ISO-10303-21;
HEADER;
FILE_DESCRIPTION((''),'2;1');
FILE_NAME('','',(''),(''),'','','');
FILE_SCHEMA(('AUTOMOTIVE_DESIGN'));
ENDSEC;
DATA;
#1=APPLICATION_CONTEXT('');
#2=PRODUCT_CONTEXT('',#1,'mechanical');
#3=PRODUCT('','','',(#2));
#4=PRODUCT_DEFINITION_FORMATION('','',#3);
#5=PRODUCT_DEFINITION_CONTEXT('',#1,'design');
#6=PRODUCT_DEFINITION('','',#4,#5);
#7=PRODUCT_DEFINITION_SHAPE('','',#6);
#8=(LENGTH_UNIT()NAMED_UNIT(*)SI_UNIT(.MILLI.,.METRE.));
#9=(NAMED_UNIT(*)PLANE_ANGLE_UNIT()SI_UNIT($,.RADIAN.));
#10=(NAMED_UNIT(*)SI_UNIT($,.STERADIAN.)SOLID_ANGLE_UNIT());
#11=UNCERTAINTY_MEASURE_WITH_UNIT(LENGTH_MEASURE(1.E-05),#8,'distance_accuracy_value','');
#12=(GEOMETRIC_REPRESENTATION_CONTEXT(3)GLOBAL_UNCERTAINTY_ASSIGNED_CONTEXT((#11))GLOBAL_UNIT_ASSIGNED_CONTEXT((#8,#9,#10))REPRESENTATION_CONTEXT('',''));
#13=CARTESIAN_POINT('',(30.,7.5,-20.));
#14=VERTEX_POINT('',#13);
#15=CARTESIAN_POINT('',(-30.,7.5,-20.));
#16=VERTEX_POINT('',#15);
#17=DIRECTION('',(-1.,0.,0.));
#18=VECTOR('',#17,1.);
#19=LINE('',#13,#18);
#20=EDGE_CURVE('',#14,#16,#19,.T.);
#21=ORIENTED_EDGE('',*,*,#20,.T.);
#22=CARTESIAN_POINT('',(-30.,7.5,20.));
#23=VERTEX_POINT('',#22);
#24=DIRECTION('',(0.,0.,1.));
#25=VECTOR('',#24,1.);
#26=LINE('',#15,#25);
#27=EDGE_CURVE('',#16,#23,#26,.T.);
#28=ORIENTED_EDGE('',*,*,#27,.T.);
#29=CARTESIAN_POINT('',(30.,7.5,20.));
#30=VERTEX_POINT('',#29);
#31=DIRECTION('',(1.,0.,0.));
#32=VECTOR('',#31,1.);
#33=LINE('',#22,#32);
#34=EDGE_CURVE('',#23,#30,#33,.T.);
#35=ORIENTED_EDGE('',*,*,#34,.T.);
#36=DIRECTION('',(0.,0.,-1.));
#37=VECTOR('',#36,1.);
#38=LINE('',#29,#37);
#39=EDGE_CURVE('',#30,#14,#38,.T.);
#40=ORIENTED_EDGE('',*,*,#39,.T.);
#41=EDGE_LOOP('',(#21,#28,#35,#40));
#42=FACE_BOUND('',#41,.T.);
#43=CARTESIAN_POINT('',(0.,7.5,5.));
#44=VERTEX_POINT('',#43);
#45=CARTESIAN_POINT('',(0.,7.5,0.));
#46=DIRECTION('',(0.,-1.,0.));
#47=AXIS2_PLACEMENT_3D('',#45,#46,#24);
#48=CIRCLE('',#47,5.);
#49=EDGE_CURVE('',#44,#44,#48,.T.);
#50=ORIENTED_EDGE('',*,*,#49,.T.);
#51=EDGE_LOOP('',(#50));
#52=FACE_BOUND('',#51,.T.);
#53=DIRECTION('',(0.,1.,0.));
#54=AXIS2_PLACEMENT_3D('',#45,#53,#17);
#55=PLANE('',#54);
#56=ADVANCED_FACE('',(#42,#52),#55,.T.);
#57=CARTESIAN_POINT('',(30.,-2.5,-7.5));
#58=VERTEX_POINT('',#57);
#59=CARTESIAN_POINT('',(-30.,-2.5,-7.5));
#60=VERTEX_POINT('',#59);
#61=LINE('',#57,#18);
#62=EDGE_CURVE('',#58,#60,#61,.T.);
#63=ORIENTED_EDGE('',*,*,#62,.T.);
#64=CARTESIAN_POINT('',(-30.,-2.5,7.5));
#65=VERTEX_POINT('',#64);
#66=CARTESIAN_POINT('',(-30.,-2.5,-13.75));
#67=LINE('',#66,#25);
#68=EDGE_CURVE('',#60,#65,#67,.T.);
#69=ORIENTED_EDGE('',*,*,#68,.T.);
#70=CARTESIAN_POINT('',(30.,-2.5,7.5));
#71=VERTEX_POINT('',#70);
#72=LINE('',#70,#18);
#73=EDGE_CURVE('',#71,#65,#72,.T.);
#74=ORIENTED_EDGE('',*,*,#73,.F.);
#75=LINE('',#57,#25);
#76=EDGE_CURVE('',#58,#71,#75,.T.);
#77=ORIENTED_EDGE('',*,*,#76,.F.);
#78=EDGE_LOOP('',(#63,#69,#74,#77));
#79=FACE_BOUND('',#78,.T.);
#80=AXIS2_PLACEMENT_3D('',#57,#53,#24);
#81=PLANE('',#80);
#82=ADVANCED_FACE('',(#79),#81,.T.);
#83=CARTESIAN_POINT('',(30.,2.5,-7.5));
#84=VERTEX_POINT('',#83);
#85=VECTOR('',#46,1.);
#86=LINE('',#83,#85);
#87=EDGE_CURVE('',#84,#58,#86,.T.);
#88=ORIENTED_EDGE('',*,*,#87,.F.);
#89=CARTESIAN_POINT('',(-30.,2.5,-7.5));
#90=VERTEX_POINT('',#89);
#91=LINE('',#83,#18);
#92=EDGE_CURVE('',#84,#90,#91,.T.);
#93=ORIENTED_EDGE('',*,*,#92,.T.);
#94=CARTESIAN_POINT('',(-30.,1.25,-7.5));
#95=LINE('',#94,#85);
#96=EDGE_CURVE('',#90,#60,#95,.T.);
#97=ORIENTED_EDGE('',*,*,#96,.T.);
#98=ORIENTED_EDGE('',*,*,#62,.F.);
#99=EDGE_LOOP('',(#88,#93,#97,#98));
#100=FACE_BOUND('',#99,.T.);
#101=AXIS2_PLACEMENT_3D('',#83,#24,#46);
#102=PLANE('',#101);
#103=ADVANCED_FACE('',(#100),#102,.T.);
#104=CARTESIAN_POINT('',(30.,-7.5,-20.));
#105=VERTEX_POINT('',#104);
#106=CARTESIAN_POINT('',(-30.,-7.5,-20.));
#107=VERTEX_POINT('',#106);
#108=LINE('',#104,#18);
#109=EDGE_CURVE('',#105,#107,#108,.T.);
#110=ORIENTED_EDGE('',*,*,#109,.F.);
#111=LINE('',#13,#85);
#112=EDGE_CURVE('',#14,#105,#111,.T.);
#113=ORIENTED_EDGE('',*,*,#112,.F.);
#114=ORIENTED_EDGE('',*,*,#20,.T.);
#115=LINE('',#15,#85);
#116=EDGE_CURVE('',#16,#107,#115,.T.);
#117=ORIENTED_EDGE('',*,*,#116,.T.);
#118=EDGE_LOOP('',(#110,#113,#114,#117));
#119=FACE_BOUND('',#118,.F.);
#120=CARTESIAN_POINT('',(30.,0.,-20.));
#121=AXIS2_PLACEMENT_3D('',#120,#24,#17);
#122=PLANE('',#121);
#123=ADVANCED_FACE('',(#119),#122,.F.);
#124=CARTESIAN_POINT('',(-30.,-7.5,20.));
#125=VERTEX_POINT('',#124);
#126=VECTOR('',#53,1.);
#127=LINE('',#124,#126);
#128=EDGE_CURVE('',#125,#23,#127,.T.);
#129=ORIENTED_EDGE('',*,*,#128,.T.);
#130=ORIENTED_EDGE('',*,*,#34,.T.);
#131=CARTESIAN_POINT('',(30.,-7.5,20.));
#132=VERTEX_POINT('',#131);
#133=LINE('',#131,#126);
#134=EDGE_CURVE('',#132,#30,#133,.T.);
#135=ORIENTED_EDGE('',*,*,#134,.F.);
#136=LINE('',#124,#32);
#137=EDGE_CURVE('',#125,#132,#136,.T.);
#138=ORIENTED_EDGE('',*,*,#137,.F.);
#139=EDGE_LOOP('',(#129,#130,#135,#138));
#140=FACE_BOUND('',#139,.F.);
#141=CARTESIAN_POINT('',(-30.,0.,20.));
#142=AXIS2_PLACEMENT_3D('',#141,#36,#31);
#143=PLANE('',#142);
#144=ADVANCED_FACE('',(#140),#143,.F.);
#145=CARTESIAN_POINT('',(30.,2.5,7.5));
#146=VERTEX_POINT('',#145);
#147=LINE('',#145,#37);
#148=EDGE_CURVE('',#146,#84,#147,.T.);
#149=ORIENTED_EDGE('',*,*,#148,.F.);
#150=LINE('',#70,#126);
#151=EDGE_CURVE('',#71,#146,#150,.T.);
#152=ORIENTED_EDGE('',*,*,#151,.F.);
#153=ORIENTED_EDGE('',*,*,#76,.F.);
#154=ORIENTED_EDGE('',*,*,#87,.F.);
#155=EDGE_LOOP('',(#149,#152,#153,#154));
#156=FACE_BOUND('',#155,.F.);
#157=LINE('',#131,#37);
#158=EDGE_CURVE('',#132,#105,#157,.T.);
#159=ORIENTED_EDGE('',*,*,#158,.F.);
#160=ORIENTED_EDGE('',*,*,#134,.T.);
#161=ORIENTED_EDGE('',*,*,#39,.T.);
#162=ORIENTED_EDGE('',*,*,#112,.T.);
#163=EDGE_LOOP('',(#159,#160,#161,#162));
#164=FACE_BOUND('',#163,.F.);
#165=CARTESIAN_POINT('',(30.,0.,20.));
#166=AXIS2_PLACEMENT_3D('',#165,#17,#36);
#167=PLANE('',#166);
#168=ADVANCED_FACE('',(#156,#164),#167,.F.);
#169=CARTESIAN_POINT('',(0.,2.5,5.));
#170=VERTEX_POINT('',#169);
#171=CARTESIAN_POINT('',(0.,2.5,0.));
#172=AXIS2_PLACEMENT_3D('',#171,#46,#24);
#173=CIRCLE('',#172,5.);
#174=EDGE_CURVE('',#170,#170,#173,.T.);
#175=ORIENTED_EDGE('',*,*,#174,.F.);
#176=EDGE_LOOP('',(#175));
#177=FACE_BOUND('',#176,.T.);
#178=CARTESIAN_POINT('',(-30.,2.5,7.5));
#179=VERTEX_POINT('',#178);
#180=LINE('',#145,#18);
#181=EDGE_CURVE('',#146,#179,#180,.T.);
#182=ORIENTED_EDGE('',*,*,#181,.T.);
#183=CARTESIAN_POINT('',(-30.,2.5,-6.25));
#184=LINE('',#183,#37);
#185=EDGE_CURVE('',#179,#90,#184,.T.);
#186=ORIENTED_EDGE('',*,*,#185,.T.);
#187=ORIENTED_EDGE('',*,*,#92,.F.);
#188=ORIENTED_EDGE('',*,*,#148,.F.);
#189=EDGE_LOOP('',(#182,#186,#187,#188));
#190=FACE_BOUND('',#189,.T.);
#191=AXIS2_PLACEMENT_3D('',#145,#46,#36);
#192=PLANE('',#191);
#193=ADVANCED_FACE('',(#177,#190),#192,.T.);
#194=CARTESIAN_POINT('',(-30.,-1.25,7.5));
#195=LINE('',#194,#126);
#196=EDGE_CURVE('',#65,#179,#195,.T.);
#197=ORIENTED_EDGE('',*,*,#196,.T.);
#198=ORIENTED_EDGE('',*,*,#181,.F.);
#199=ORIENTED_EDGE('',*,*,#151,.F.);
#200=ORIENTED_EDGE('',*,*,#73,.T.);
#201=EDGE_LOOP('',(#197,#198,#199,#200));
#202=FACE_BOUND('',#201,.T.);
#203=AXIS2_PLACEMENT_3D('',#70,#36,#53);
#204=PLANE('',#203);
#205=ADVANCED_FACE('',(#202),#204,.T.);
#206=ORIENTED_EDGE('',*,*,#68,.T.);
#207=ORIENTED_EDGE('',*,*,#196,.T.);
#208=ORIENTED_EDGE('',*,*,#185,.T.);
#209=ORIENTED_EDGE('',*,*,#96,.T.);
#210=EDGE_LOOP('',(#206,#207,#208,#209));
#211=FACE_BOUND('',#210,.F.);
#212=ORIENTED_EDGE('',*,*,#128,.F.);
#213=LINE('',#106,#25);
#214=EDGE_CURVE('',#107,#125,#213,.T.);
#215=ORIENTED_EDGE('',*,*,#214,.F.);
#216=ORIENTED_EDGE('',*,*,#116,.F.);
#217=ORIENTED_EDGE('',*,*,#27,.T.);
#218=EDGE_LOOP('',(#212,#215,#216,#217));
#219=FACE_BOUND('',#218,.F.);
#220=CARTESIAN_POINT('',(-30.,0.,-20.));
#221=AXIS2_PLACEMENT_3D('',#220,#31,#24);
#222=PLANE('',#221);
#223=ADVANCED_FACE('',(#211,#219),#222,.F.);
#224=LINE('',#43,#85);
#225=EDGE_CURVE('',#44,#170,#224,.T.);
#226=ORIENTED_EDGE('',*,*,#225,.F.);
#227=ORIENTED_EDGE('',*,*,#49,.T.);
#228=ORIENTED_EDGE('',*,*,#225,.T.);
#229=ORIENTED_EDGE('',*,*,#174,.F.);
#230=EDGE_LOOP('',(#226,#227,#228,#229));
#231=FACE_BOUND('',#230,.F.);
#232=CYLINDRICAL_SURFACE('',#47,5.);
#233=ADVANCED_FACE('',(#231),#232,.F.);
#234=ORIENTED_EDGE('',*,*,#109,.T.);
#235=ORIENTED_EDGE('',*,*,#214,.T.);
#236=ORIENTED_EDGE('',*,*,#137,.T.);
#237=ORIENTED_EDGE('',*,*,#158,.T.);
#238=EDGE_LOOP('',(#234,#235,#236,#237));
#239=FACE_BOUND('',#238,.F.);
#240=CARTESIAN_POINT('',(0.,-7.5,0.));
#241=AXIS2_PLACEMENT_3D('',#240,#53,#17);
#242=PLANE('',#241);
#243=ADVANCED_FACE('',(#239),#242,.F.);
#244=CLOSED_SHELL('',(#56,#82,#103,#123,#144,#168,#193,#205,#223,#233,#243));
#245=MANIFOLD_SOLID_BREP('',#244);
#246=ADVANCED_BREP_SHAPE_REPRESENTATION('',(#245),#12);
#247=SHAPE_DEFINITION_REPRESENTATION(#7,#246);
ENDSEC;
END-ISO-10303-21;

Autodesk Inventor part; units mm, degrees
ref_plane "YZ Plane" through (0, 0, 0) normal (1, 0, 0) x (0, 1, 0)
ref_plane "XZ Plane" through (0, 0, 0) normal (0, 1, 0) x (-1, 0, 0)
ref_plane "XY Plane" through (0, 0, 0) normal (0, 0, 1) x (1, 0, 0)
sketch "Эскиз4" plane through (0, 0, 0) normal (0, 1, 0) x (-1, 0, 0)
  line L0 (30, 20) -> (-30, 20)
  line L1 (-30, 20) -> (-30, -20)
  line L2 (-30, -20) -> (30, -20)
  line L3 (30, -20) -> (30, 20)
  point P0 (0, 0)
  dimension "d16" = 40
  dimension "d17" = 20
  dimension "d18" = 60
  dimension "d19" = 30
extrude "Выдавливание4" add sketch "Эскиз4" along normal mid plane 15
sketch "Эскиз6" plane through (30, -7.5, -20) normal (1, 0, 0) x (0, 0, -1)
  line L0 (-12.5, 5) -> (-27.5, 5)
  line L1 (-27.5, 5) -> (-27.5, 10)
  line L2 (-27.5, 10) -> (-12.5, 10)
  line L3 (-12.5, 10) -> (-12.5, 5)
  point P0 (-20, 7.5)
  dimension "d25" = 5
  dimension "d26" = 15
  dimension "d27" = 7.5
  dimension "d28" = 2.5
extrude "Выдавливание5" cut sketch "Эскиз6" against normal through all
sketch "Эскиз7" plane through (0, 7.5, 0) normal (0, 1, 0) x (1, 0, 0)
  point P0 (0, 0)
  point P1 (0, 0)
hole "Отверстие2" at (0, 7.5, 0) direction (0, -1, 0) diameter 10 depth 5
equation "\"d17\" = 0.5 * d16"
equation "\"d19\" = 0.5 * d18"
equation "\"d27\" = 0.5 * d26"
equation "\"d28\" = 0.5 * d25"
properties part number "Каменъ"
